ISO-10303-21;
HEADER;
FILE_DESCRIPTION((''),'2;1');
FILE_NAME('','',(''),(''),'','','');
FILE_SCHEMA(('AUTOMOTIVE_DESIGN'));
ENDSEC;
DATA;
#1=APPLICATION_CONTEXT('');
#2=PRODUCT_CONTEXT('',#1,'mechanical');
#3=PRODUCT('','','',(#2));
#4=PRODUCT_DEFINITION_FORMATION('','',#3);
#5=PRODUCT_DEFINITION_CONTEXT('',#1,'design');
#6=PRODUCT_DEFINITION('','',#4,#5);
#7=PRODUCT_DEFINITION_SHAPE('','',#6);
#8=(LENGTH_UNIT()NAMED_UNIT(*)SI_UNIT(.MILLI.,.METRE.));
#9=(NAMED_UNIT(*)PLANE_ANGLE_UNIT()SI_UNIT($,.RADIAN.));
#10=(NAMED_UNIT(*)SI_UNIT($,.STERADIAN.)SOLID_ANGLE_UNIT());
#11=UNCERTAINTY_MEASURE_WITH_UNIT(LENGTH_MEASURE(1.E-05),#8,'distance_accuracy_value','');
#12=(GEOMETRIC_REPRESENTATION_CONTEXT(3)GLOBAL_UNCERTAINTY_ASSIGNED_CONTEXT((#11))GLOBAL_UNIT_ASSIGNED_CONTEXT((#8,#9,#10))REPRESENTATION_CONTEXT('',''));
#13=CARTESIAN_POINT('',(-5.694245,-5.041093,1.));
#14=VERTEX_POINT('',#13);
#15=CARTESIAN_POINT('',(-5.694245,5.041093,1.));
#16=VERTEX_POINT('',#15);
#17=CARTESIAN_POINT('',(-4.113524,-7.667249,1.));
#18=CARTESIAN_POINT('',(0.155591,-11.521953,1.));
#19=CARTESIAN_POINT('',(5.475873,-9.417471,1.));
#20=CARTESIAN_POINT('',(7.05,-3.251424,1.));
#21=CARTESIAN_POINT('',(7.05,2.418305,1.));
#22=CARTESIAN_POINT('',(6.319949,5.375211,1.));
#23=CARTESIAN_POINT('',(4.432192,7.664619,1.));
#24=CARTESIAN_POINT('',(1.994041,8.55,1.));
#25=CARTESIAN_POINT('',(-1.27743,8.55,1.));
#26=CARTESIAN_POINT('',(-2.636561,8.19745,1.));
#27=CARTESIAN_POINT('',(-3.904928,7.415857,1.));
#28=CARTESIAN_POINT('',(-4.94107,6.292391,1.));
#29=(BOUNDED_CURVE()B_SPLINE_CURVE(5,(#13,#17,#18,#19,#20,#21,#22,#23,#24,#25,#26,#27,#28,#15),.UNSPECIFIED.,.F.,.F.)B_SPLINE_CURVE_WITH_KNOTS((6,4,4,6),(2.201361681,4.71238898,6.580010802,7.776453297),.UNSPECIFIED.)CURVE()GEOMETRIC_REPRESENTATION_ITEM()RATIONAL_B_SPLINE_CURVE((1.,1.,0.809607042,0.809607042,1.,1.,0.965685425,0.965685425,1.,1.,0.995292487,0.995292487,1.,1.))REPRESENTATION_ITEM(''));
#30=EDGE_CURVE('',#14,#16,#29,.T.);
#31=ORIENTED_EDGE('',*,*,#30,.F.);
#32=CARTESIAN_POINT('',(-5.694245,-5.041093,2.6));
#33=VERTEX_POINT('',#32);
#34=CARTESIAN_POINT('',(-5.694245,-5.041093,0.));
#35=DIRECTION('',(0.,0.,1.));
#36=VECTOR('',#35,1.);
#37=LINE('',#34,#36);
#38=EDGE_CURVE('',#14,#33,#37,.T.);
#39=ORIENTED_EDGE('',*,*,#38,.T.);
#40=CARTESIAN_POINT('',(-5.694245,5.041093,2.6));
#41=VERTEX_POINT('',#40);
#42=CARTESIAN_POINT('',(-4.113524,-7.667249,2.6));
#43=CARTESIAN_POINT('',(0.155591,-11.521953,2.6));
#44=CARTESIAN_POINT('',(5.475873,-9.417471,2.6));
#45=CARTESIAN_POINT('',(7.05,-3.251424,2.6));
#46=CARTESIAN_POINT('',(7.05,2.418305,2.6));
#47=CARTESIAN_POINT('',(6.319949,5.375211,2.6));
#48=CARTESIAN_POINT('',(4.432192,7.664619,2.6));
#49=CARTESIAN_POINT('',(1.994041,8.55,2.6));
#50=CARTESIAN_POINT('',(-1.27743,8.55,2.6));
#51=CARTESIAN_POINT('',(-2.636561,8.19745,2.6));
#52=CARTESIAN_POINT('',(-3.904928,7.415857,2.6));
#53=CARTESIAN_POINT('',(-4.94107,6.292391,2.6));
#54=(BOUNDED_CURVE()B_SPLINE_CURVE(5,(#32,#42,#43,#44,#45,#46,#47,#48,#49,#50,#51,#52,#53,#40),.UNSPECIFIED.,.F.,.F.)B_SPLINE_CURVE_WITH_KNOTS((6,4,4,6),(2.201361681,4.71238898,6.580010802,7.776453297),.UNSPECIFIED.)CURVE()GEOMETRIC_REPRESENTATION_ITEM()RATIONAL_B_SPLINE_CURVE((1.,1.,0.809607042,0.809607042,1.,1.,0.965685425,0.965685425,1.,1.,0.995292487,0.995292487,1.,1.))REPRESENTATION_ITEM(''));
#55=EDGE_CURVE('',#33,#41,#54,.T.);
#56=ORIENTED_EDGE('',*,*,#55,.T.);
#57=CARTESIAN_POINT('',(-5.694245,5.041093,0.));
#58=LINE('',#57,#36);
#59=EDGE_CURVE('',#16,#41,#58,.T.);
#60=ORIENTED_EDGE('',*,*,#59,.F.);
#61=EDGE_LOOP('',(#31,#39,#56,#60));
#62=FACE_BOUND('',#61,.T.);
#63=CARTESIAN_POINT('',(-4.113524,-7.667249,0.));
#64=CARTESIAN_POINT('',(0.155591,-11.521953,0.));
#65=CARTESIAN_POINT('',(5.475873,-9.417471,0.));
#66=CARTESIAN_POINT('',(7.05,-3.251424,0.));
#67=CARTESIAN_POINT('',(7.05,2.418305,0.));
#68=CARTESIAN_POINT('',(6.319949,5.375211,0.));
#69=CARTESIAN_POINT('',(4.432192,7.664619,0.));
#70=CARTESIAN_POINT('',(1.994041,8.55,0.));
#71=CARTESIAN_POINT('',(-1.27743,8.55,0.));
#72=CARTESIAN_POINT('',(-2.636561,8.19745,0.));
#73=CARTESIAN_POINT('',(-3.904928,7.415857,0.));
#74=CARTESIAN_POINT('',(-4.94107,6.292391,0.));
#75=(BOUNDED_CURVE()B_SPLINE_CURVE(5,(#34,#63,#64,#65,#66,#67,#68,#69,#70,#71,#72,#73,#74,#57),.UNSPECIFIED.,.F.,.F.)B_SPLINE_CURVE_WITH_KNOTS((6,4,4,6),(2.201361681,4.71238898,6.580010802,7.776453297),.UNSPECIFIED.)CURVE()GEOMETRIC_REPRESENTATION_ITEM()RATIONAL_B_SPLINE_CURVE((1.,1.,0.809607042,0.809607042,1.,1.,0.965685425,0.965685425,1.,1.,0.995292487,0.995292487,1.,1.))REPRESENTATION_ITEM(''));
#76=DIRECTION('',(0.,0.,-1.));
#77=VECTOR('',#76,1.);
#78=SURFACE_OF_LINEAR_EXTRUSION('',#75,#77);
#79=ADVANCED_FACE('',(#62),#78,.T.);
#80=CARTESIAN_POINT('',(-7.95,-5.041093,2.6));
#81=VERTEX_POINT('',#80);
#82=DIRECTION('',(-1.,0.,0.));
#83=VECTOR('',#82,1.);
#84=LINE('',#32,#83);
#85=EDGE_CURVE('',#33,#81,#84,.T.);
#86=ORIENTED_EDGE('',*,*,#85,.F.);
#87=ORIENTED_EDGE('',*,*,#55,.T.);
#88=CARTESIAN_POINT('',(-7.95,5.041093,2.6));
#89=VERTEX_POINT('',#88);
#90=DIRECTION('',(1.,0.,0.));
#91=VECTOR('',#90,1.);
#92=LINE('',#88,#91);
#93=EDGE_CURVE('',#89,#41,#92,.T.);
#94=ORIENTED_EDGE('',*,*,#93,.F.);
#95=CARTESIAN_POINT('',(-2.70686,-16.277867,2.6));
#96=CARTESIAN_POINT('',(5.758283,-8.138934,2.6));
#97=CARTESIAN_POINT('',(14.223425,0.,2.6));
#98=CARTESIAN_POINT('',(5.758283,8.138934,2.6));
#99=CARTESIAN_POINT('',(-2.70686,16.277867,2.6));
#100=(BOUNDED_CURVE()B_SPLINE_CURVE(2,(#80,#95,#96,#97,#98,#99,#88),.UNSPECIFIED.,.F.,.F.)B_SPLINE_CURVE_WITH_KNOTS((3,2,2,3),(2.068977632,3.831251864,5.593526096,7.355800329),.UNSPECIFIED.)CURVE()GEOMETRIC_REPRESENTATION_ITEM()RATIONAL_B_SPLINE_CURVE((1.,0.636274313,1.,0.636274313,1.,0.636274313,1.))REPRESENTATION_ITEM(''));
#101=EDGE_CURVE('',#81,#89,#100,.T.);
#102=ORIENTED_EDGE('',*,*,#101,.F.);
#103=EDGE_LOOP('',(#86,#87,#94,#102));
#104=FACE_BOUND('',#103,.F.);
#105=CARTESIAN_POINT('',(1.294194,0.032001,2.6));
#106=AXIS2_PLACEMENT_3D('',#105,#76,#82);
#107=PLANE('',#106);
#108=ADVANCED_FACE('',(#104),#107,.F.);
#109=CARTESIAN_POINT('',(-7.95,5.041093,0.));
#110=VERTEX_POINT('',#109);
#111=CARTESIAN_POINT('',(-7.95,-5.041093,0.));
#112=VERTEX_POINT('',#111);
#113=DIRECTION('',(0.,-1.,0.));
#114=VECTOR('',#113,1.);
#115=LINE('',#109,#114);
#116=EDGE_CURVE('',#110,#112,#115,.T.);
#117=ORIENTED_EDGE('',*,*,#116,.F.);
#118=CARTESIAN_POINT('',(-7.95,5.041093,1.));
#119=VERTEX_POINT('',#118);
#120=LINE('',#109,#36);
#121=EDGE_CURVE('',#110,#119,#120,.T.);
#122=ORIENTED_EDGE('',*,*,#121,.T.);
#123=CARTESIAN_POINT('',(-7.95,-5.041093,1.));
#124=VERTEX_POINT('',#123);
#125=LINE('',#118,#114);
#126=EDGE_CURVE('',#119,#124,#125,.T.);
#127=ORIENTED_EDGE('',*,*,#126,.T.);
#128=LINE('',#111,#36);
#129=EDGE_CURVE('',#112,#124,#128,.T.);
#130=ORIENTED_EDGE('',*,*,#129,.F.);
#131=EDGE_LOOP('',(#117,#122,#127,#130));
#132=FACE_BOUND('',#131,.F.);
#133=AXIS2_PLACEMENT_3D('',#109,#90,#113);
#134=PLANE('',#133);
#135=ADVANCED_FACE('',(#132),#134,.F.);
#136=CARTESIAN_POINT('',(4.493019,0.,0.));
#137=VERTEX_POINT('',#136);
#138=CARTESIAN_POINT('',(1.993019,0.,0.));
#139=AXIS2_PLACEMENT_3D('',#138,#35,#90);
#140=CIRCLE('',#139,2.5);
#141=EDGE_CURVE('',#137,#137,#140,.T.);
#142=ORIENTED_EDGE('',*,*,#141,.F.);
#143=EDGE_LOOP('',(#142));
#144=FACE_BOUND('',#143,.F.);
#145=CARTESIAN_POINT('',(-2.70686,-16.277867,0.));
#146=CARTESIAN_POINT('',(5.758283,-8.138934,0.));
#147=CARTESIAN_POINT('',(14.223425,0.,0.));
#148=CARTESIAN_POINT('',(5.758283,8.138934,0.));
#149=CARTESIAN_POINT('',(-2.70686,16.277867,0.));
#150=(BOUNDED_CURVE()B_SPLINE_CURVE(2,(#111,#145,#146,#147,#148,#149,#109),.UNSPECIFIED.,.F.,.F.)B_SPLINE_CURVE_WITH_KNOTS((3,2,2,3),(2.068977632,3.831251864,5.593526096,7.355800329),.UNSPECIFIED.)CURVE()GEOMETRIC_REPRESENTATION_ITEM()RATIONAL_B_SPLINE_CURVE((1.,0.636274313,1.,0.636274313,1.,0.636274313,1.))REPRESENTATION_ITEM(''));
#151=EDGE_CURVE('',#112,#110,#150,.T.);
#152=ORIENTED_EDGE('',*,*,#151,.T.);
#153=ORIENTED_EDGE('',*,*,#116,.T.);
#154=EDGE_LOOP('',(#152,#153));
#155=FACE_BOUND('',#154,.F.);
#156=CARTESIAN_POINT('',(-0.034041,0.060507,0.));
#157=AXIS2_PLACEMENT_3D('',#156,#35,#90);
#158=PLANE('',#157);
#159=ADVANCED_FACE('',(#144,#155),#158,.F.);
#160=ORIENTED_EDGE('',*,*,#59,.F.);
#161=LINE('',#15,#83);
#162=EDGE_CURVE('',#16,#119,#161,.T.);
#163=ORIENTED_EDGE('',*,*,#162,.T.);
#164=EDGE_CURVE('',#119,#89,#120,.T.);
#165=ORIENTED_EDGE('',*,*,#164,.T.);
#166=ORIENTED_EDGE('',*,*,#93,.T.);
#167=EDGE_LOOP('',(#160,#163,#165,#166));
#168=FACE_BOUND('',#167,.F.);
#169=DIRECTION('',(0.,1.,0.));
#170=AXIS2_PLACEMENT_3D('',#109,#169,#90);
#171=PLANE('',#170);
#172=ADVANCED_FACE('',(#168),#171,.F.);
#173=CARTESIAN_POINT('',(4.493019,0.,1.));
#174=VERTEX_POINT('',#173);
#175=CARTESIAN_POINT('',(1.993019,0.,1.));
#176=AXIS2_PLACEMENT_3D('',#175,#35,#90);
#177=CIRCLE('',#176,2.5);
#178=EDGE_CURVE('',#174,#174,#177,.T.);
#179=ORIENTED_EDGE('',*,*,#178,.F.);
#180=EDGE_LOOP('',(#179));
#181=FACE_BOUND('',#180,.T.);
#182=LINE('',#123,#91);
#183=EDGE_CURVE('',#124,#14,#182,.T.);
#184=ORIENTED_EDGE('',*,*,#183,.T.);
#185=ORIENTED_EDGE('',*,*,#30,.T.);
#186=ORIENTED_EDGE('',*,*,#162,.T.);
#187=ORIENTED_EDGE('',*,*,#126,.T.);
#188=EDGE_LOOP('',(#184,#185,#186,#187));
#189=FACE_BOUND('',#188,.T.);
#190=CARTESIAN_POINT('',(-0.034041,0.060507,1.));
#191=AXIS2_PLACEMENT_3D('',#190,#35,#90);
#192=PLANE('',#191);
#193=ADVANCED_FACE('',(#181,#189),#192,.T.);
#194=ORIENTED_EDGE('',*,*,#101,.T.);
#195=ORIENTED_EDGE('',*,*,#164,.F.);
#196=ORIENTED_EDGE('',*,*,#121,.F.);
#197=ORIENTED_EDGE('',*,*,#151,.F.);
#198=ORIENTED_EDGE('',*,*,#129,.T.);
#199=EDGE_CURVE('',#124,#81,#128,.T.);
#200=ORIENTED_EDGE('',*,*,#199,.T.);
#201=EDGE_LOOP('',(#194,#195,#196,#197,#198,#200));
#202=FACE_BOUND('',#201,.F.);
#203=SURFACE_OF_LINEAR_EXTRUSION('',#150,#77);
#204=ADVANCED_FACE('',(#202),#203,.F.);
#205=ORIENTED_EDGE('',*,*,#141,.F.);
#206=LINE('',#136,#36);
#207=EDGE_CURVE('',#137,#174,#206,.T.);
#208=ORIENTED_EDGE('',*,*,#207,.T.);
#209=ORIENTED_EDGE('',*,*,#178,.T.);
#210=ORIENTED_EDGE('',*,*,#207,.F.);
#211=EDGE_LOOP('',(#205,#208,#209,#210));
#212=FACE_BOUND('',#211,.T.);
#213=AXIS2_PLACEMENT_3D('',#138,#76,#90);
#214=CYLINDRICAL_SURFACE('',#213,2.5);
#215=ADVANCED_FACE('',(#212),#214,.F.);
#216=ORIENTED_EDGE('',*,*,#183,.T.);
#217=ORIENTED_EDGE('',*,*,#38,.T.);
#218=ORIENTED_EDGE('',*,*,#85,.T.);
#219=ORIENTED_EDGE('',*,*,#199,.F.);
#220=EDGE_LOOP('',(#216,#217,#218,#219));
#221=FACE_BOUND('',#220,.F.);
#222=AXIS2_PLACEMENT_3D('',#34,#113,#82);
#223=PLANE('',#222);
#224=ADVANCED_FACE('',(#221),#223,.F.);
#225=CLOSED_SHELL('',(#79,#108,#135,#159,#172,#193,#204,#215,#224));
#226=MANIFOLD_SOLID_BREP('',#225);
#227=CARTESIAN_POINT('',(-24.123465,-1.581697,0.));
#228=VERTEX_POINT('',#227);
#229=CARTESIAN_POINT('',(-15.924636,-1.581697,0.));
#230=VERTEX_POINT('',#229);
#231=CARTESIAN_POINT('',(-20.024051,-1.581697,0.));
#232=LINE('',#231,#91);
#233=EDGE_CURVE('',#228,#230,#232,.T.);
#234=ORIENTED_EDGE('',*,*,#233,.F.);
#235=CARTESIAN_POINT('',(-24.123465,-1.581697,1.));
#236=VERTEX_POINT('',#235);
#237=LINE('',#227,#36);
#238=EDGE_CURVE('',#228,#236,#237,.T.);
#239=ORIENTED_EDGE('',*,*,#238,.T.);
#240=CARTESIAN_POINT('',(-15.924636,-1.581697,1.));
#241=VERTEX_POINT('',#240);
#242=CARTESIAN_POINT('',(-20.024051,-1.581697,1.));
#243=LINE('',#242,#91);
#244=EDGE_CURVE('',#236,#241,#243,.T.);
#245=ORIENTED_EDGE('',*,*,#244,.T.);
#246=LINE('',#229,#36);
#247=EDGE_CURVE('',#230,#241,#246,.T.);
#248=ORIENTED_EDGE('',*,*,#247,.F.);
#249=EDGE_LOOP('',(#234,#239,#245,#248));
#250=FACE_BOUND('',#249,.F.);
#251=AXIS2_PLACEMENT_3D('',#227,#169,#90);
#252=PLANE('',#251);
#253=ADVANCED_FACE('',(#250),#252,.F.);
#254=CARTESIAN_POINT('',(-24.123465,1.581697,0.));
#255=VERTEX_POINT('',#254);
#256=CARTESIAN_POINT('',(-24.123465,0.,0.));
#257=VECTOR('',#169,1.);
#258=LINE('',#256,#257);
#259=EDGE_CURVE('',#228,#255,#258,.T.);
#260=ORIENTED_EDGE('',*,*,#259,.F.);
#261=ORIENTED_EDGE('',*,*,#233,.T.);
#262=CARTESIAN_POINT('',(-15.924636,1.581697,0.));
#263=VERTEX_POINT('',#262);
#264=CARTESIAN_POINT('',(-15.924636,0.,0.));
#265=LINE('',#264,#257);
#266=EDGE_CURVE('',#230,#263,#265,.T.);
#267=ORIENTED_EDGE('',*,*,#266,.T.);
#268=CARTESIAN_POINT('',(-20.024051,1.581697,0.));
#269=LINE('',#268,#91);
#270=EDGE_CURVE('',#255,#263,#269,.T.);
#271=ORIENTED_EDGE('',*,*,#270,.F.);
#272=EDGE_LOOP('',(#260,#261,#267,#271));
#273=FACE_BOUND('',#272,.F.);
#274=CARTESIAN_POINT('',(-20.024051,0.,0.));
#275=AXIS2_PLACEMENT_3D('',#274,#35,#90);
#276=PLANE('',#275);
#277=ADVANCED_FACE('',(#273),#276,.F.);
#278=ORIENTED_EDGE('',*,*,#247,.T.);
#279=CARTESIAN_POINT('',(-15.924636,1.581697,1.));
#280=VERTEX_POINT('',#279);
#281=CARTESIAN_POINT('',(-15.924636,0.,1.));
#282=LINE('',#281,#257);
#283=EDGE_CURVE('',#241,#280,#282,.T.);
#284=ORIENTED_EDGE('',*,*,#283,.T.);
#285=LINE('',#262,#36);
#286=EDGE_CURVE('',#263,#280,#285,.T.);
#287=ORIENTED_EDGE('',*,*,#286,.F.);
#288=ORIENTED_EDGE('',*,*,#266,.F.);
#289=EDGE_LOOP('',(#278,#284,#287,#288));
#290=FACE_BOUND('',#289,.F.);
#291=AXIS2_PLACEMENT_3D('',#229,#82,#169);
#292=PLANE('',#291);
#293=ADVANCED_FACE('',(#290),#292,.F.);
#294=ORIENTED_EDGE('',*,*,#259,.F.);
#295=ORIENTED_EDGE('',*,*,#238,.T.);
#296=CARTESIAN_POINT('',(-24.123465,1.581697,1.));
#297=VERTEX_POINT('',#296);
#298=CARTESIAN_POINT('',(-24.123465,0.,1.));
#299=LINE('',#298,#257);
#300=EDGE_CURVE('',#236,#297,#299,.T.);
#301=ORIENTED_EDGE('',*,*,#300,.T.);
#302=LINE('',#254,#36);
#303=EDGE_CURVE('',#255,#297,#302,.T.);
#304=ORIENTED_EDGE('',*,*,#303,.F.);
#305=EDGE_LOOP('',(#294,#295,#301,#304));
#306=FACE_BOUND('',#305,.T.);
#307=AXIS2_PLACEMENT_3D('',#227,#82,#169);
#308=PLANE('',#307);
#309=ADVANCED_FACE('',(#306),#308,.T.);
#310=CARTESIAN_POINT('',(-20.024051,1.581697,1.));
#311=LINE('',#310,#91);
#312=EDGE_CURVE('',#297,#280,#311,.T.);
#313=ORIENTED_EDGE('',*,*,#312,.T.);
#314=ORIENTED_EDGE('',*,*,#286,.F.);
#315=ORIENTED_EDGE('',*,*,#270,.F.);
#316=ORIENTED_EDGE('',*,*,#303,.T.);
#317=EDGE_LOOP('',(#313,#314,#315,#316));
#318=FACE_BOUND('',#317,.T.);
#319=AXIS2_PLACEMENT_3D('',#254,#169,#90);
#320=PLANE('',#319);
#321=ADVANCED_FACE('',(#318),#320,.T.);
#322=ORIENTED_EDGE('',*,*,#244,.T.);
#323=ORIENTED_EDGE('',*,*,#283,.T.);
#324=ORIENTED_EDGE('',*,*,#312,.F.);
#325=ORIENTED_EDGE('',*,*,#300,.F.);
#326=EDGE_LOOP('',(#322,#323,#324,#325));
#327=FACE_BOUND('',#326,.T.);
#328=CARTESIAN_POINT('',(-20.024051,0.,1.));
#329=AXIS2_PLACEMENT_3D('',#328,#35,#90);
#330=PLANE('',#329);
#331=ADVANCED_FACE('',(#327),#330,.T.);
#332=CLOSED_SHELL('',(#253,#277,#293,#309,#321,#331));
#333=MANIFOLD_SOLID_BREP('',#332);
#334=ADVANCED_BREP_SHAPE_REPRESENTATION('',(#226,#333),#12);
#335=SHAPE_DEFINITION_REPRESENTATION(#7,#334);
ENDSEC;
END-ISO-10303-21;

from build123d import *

# Parameters (mm, degrees)
F1_DEPTH = 2.6
F0_R     = 2.5
F2_DEPTH = 1
F0_W     = 8.1988287297
F0_H     = 3.1633935869


with BuildPart() as f1:
    # F0 (on Top) → F1 (new body)
    with BuildSketch(Plane.XY):
        with BuildLine():
            add(Edge.make_bspline(
                [(0, 8.55), (-3.582183896, 8.55), (-5.694244842, 5.0410927)],
                knots=[0, 0, 0, 0.9402309728, 0.9402309728, 0.9402309728], degree=2, weights=[1, 0.8915159801, 1]))
            add(Edge.make_bspline(
                [(7.05, 0), (7.05, 8.55), (0, 8.55)],
                knots=[4.7123889804, 4.7123889804, 4.7123889804, 6.2831853072, 6.2831853072, 6.2831853072], degree=2, weights=[1, 0.7071067812, 1]))
            add(Edge.make_bspline(
                [(-5.694244842, -5.0410927), (7.05, -26.2139541385), (7.05, 0)],
                knots=[2.2013616808, 2.2013616808, 2.2013616808, 4.7123889804, 4.7123889804, 4.7123889804], degree=2, weights=[1, 0.3100852271, 1]))
            Line((-5.694244842, -5.0410927), (-7.95, -5.0410927))
            add(Edge.make_bspline(
                [(-7.95, -5.0410927), (-2.7068599852, -16.2778670897), (5.7582825318, -8.1389335448), (14.2234250487, 0), (5.7582825318, 8.1389335448), (-2.7068599852, 16.2778670897), (-7.95, 5.0410927)],
                knots=[2.0689776322, 2.0689776322, 2.0689776322, 3.8312518643, 3.8312518643, 5.5935260964, 5.5935260964, 7.3558003286, 7.3558003286, 7.3558003286], degree=2, weights=[1, 0.6362743129, 1, 0.6362743129, 1, 0.6362743129, 1]))
            Line((-7.95, 5.0410927), (-5.694244842, 5.0410927))
        make_face()
    extrude(amount=F1_DEPTH)

    # F0 (on Top) → F2 (join)
    with BuildSketch(Plane.XY):
        with BuildLine():
            add(Edge.make_bspline(
                [(7.05, 0), (7.05, 8.55), (0, 8.55)],
                knots=[4.7123889804, 4.7123889804, 4.7123889804, 6.2831853072, 6.2831853072, 6.2831853072], degree=2, weights=[1, 0.7071067812, 1]))
            add(Edge.make_bspline(
                [(0, 8.55), (-3.582183896, 8.55), (-5.694244842, 5.0410927)],
                knots=[0, 0, 0, 0.9402309728, 0.9402309728, 0.9402309728], degree=2, weights=[1, 0.8915159801, 1]))
            add(Edge.make_bspline(
                [(-5.694244842, 5.0410927), (-7.05, 2.7886864993), (-7.05, 0)],
                knots=[0.9402309728, 0.9402309728, 0.9402309728, 1.5707963268, 1.5707963268, 1.5707963268], degree=2, weights=[1, 0.9507087629, 1]))
            add(Edge.make_bspline(
                [(-7.05, 0), (-7.05, -2.7886864993), (-5.694244842, -5.0410927)],
                knots=[1.5707963268, 1.5707963268, 1.5707963268, 2.2013616808, 2.2013616808, 2.2013616808], degree=2, weights=[1, 0.9507087629, 1]))
            add(Edge.make_bspline(
                [(-5.694244842, -5.0410927), (7.05, -26.2139541385), (7.05, 0)],
                knots=[2.2013616808, 2.2013616808, 2.2013616808, 4.7123889804, 4.7123889804, 4.7123889804], degree=2, weights=[1, 0.3100852271, 1]))
        make_face()
        with Locations((1.9930186681, 0)):
            Circle(F0_R, mode=Mode.SUBTRACT)
        with BuildLine():
            add(Edge.make_bspline(
                [(-7.05, 0), (-7.05, -2.7886864993), (-5.694244842, -5.0410927)],
                knots=[1.5707963268, 1.5707963268, 1.5707963268, 2.2013616808, 2.2013616808, 2.2013616808], degree=2, weights=[1, 0.9507087629, 1]))
            Line((-7.05, 0), (-7.95, 0))
            Line((-7.95, 0), (-7.95, -5.0410927))
            Line((-7.95, -5.0410927), (-5.694244842, -5.0410927))
        make_face()
        with BuildLine():
            add(Edge.make_bspline(
                [(-5.694244842, 5.0410927), (-7.05, 2.7886864993), (-7.05, 0)],
                knots=[0.9402309728, 0.9402309728, 0.9402309728, 1.5707963268, 1.5707963268, 1.5707963268], degree=2, weights=[1, 0.9507087629, 1]))
            Line((-5.694244842, 5.0410927), (-7.95, 5.0410927))
            Line((-7.95, 5.0410927), (-7.95, 0))
            Line((-7.95, 0), (-7.05, 0))
        make_face()
    extrude(amount=F2_DEPTH)


with BuildPart() as f2:
    # F0 (on Top) → F2, piece 2 (new body)
    with BuildSketch(Plane.XY):
        with Locations((-20.0240506394, 0)):
            Rectangle(F0_W, F0_H)
    extrude(amount=F2_DEPTH)


solid = Compound([f1.part, f2.part])
